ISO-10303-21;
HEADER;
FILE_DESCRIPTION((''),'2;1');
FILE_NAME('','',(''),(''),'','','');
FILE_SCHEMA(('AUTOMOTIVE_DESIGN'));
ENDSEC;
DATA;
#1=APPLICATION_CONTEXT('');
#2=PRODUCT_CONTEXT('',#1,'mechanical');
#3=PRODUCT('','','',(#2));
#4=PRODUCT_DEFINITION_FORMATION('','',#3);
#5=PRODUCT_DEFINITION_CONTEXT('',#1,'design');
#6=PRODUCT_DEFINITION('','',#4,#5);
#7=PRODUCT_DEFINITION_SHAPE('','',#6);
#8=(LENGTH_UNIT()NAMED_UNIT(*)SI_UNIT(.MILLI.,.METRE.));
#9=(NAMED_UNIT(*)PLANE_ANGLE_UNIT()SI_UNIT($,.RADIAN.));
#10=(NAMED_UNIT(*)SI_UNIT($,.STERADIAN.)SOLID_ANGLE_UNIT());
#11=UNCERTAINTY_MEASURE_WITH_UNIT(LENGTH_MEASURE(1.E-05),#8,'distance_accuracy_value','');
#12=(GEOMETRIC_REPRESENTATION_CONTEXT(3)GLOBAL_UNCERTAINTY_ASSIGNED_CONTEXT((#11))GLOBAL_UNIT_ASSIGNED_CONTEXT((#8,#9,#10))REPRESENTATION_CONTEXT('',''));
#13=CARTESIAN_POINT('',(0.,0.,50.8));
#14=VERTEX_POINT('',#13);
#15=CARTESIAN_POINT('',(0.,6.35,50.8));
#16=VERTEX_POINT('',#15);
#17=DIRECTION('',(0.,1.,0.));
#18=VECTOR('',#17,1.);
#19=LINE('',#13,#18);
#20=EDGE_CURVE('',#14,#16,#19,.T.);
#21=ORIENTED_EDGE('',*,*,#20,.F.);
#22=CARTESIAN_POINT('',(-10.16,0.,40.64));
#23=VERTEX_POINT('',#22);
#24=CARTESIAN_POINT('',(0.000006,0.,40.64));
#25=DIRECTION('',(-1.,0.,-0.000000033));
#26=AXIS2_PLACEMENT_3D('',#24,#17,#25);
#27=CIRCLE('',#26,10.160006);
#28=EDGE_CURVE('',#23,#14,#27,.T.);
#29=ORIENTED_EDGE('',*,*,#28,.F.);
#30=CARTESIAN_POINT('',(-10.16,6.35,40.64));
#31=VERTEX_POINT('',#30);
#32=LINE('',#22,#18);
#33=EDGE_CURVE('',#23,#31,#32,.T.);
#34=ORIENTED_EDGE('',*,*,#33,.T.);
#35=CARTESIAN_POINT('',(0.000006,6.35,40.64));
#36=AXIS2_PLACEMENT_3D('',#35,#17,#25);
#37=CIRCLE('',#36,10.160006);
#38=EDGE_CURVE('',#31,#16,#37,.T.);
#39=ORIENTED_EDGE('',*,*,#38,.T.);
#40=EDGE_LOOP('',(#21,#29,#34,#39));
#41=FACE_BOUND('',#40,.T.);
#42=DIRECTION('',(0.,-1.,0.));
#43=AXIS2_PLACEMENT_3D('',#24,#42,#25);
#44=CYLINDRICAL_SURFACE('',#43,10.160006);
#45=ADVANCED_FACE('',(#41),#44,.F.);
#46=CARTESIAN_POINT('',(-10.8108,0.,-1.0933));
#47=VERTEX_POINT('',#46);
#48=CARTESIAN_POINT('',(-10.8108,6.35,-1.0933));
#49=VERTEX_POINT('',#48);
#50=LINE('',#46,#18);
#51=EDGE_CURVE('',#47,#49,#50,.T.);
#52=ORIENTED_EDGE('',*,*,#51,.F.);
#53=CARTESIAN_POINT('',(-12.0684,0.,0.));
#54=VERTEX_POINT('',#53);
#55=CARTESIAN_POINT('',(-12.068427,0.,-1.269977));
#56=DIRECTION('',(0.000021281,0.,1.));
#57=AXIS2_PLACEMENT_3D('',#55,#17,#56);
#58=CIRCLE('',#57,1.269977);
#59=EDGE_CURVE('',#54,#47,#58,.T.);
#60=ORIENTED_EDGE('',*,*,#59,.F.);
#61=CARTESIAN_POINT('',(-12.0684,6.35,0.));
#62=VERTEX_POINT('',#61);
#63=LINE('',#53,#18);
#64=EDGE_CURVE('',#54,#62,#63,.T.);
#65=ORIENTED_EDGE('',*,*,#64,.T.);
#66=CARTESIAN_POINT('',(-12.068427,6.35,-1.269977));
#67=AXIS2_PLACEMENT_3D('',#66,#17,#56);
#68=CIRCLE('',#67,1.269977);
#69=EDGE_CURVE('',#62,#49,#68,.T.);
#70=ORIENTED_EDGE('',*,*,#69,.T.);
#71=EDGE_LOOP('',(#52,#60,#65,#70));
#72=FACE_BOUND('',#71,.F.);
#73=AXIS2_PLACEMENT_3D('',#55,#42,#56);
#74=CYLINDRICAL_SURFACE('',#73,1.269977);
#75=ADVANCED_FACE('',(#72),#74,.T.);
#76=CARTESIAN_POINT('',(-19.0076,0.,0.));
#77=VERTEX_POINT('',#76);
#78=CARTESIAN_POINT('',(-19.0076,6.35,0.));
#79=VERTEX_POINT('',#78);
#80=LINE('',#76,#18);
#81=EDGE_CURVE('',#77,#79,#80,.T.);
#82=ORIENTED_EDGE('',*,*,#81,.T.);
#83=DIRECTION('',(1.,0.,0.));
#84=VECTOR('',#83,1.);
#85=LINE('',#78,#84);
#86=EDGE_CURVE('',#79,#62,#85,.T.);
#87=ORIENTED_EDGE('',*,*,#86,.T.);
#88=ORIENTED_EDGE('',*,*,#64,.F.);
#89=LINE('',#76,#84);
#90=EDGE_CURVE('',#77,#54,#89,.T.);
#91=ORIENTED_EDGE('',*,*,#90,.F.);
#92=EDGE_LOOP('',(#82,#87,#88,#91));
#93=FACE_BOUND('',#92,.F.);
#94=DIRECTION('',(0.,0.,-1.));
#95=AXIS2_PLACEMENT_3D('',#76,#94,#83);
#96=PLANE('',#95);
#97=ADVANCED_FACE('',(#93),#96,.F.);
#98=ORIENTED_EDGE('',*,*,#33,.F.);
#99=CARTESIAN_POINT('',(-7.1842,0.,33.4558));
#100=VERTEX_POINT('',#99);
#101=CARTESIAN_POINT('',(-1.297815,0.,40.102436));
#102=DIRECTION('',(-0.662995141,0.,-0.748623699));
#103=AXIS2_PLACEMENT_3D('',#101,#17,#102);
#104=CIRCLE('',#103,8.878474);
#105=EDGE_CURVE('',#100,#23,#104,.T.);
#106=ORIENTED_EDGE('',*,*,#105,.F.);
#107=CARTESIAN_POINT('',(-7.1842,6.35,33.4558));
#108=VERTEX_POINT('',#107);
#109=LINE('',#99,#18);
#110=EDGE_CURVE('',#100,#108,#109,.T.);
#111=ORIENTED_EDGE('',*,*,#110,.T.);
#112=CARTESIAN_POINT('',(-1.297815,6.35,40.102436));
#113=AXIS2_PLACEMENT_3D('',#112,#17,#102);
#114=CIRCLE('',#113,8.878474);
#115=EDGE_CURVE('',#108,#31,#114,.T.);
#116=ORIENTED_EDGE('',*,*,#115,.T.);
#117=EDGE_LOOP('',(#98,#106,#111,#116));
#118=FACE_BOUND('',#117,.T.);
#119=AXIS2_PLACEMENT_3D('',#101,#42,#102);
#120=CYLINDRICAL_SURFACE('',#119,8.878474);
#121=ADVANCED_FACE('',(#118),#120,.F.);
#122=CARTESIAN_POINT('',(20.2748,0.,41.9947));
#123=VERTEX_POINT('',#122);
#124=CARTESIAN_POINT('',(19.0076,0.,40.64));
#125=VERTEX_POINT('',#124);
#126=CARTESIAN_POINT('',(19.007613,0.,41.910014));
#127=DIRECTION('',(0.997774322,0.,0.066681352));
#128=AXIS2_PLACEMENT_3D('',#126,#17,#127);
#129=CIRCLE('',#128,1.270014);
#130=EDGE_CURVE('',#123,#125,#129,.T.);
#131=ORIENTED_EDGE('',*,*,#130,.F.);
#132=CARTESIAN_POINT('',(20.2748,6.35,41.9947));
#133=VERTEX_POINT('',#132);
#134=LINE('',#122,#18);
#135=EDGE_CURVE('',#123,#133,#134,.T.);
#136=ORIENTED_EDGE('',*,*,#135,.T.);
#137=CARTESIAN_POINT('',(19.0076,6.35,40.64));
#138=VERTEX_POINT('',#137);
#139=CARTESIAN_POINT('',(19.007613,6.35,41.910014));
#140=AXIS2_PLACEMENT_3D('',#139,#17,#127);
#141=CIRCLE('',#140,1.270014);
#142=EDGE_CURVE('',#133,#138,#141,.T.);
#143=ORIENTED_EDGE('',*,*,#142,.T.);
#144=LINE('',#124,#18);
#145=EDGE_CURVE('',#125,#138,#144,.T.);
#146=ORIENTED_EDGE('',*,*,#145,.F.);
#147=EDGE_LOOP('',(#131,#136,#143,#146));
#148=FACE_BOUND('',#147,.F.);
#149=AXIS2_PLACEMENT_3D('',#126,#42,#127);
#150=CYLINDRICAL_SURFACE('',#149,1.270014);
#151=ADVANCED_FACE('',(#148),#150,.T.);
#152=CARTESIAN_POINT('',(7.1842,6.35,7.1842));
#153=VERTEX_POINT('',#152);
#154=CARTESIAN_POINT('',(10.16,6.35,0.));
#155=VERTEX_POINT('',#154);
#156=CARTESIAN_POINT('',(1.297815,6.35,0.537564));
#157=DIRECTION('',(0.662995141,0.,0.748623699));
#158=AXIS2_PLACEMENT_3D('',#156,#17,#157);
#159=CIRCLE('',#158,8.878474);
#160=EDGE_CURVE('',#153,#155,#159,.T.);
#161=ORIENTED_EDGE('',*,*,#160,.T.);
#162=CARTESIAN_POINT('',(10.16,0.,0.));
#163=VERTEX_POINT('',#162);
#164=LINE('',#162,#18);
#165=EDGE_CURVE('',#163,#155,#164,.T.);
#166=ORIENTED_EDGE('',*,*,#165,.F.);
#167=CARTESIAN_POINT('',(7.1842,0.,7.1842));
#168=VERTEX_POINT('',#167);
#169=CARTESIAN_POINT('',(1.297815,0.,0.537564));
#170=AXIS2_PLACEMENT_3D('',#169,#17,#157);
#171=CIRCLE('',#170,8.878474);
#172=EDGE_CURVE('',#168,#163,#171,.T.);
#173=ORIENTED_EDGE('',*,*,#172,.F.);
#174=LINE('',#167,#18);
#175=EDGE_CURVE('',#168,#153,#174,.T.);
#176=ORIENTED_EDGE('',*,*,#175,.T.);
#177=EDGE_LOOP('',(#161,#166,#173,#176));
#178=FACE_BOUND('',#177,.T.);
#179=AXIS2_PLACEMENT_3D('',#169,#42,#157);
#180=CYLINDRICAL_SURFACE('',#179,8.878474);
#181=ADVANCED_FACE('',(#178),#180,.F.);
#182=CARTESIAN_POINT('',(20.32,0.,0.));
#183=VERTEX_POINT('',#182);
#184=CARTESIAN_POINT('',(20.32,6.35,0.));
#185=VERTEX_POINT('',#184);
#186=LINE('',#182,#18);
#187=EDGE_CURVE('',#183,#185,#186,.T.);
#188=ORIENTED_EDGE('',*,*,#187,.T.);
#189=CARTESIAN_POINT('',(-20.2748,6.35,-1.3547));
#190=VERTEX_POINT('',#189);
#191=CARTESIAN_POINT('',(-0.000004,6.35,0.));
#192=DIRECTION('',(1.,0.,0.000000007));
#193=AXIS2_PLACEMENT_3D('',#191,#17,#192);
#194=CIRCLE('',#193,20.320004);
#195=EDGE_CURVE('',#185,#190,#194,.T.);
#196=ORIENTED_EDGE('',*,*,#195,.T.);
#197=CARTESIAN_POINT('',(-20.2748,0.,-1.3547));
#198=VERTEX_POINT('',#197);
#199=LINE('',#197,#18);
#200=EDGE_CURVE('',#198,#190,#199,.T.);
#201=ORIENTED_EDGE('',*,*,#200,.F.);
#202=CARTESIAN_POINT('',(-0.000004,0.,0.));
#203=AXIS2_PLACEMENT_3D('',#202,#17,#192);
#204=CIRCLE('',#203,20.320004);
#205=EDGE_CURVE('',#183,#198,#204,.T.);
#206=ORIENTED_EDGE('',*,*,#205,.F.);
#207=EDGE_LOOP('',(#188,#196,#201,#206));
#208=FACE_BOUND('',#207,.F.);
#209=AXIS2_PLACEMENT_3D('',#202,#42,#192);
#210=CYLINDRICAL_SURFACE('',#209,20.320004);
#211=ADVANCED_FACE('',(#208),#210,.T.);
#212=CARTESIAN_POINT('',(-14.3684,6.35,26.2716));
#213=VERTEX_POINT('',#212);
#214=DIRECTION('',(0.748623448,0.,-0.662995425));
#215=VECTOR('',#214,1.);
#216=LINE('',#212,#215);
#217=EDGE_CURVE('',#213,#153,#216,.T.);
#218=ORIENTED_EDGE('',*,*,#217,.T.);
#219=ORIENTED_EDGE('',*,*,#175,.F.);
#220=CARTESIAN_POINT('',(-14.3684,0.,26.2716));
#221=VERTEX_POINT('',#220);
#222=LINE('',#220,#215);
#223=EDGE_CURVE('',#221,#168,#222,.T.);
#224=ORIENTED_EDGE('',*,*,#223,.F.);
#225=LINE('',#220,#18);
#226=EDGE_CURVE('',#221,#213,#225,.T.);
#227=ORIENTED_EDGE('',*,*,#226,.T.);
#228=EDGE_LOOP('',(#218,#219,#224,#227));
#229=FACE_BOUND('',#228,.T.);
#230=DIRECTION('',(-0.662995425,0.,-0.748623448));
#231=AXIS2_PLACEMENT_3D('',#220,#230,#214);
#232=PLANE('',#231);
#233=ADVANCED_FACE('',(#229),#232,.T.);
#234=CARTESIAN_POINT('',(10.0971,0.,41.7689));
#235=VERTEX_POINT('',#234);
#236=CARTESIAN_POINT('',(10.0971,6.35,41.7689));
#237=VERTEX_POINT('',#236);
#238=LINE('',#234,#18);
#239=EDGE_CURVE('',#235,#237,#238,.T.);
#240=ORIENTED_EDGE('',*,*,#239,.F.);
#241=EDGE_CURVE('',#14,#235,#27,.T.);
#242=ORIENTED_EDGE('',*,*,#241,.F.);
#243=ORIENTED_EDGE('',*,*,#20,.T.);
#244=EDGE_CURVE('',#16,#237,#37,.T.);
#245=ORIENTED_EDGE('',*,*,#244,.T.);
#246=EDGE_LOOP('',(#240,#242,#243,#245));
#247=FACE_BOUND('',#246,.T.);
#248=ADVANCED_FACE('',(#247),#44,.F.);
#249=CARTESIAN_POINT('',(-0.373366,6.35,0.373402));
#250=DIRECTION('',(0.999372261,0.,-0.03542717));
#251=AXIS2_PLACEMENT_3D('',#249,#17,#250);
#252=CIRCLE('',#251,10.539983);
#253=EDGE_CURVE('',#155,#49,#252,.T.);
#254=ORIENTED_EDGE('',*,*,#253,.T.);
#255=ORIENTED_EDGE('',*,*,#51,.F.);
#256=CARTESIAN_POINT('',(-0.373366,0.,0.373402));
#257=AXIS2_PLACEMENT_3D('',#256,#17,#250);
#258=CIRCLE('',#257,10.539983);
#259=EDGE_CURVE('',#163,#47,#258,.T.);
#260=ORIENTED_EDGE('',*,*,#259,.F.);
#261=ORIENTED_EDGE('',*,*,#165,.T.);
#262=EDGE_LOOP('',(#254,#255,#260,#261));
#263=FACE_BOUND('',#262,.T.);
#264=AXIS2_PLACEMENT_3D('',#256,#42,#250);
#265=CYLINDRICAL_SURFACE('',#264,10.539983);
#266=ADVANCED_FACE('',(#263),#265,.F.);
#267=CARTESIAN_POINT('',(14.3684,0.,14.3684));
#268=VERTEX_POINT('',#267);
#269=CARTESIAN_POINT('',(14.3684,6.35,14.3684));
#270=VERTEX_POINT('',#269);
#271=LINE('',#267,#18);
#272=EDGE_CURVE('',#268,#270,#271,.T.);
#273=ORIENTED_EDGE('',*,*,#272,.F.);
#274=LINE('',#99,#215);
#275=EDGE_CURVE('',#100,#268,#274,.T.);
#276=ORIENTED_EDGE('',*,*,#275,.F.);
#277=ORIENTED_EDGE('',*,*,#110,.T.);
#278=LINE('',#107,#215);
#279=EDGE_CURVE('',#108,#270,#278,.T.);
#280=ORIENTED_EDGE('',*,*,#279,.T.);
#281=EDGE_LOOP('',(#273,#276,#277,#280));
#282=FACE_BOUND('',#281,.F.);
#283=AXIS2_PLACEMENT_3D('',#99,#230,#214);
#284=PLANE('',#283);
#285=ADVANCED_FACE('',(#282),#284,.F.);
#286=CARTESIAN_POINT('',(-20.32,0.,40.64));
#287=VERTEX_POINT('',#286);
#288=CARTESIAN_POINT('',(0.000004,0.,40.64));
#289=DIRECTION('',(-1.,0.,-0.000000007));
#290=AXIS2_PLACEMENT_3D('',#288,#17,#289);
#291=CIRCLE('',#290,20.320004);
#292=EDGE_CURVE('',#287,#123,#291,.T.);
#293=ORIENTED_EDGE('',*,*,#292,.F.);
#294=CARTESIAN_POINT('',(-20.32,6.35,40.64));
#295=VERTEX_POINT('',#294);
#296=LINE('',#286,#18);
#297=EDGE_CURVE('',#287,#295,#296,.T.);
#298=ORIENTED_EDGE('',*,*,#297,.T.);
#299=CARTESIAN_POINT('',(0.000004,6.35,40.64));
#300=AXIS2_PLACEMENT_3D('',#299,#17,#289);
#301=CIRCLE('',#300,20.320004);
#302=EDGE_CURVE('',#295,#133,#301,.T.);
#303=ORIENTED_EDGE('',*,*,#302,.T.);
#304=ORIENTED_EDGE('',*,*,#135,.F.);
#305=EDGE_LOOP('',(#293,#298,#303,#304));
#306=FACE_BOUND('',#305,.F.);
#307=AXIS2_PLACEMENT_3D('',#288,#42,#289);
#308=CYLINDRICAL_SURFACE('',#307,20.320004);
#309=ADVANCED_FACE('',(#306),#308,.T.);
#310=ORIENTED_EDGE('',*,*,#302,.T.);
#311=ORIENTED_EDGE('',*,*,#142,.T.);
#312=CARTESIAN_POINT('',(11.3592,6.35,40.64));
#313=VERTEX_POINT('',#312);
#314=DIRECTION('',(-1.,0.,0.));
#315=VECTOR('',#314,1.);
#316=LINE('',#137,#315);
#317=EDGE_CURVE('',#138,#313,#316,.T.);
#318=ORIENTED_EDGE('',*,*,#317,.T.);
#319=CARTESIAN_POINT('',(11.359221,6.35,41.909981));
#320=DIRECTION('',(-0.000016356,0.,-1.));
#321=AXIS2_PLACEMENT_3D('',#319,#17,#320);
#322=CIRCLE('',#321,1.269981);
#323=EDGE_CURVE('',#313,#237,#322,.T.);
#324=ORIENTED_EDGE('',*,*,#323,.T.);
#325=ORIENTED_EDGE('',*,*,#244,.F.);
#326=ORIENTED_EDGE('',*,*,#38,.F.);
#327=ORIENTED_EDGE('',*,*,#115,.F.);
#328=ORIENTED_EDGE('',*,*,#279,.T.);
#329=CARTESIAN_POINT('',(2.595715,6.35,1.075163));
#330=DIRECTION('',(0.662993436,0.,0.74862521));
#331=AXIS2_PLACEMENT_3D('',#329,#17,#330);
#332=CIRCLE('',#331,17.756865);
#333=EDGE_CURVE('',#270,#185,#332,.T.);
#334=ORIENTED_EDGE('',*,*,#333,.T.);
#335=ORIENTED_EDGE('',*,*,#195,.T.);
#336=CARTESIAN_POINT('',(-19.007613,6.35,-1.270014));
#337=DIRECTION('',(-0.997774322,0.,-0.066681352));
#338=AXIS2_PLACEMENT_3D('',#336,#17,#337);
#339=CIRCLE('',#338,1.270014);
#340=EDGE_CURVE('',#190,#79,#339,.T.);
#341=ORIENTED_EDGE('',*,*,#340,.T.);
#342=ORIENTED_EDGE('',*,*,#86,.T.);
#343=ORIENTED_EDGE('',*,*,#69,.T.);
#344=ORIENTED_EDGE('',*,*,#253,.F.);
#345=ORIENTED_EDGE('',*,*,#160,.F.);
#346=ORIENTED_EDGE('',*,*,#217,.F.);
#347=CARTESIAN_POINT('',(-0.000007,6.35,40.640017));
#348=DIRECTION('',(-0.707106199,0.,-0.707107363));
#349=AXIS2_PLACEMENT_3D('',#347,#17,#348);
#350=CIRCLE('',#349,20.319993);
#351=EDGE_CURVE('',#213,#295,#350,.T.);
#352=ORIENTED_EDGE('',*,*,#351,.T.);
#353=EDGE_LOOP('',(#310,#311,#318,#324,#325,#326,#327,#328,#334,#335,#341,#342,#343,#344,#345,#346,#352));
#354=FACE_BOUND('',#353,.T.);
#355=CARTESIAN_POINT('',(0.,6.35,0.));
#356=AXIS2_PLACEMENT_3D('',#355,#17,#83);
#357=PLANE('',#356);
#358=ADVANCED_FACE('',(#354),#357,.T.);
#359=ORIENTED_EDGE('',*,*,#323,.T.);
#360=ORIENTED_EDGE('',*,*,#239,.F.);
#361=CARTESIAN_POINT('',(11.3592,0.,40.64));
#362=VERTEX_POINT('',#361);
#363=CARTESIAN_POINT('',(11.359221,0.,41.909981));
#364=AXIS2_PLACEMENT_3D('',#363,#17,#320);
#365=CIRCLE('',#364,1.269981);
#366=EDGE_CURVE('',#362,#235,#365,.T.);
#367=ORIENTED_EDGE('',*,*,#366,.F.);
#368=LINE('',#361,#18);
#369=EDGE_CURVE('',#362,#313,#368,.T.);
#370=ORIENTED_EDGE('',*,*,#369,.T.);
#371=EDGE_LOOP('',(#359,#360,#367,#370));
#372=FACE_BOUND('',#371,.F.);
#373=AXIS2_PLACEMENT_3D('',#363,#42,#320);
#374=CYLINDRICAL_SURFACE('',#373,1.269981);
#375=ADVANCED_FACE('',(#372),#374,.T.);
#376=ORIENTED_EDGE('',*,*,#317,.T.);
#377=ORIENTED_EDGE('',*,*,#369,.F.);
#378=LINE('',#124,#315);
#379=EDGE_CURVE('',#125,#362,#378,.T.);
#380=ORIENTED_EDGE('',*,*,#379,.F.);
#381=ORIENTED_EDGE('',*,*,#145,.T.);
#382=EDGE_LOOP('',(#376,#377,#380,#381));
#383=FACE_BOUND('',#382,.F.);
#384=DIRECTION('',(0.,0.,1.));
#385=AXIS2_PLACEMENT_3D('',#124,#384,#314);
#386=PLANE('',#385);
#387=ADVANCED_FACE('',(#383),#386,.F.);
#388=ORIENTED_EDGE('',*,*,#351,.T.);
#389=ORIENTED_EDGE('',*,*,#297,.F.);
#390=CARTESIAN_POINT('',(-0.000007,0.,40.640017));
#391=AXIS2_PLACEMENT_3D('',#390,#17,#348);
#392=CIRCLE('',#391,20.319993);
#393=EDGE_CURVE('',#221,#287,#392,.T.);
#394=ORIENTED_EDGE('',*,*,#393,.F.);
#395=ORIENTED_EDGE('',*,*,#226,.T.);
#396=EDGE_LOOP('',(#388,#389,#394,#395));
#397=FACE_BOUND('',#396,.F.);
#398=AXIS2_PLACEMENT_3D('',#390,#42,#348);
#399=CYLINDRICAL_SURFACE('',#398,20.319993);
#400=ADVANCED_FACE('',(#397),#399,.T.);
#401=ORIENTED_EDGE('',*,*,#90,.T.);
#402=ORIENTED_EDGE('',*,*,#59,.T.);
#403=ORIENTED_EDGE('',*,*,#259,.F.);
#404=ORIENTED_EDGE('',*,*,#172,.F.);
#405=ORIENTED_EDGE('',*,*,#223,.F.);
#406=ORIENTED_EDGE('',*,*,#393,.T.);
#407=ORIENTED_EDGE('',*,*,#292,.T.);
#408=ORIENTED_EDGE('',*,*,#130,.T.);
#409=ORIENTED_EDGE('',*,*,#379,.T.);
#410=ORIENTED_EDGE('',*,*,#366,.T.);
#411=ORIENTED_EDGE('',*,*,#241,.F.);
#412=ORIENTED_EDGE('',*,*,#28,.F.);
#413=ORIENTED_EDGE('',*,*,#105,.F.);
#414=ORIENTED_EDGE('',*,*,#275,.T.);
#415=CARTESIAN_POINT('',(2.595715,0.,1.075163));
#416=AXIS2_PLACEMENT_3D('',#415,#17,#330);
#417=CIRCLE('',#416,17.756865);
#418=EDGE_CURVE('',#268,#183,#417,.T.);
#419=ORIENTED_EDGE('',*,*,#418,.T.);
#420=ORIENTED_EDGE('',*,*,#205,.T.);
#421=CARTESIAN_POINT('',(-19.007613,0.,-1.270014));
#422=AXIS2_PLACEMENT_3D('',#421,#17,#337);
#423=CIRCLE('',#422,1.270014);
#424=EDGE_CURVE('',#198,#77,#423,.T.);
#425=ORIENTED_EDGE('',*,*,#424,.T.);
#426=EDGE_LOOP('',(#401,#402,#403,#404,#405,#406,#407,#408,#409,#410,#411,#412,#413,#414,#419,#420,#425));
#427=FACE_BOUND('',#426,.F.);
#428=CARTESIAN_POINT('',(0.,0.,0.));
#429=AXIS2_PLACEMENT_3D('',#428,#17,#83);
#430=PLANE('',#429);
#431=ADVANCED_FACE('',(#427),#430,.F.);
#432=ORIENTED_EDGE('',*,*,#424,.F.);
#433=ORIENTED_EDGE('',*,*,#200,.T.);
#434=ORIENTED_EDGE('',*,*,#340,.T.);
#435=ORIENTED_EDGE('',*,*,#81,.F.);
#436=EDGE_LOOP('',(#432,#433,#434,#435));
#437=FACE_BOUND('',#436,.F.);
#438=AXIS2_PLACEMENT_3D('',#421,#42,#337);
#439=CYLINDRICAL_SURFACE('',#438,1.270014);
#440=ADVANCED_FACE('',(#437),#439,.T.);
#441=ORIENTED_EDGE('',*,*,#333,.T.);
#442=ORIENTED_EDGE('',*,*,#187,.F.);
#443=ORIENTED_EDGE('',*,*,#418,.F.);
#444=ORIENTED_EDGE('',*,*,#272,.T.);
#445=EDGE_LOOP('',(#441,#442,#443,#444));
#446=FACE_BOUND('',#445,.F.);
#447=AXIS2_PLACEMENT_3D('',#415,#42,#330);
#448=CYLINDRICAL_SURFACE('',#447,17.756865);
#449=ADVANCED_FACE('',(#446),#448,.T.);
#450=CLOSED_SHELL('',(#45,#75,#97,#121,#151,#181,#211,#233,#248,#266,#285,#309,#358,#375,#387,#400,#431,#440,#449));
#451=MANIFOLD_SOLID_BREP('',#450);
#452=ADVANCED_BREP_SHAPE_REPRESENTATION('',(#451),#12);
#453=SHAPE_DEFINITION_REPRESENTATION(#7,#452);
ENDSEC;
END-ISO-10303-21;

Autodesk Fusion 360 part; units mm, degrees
sketch "Sketch1" plane through (0, 0, 0) normal (0, 1, 0) x (1, 0, 0)
  line L0 (-19.0076, 0) -> (-12.0684, 0)
  arc A0 (10.16, 0) -> (-10.8108, 1.0933) centre (-0.3734, -0.3734) ccw
  line L1 (0, -40.64) -> (0, -50.8)
  line L2 (19.0076, -40.64) -> (11.3592, -40.64)
  arc A1 (-10.16, -40.64) -> (10.0971, -41.7689) centre (0, -40.64) ccw
  line L3 (-14.3684, -26.2716) -> (7.1842, -7.1842)
  line L4 (-7.1842, -33.4558) -> (14.3684, -14.3684)
  arc A2 (7.1842, -7.1842) -> (10.16, 0) centre (1.2978, -0.5376) ccw
  arc A3 (20.32, 0) -> (-20.2748, 1.3547) centre (0, 0) ccw
  arc A4 (-20.32, -40.64) -> (20.2748, -41.9947) centre (0, -40.64) ccw
  arc A5 (14.3684, -14.3684) -> (20.32, 0) centre (2.5957, -1.0752) ccw
  arc A6 (-7.1842, -33.4558) -> (-10.16, -40.64) centre (-1.2978, -40.1024) ccw
  arc A7 (-14.3684, -26.2716) -> (-20.32, -40.64) centre (0, -40.64) ccw
  arc A8 (20.2748, -41.9947) -> (19.0076, -40.64) centre (19.0076, -41.91) ccw
  arc A9 (11.3592, -40.64) -> (10.0971, -41.7689) centre (11.3592, -41.91) ccw
  arc A10 (-20.2748, 1.3547) -> (-19.0076, 0) centre (-19.0076, 1.27) ccw
  arc A11 (-12.0684, 0) -> (-10.8108, 1.0933) centre (-12.0684, 1.27) ccw
  dimension "d11" = 10.16
  dimension "d15" = 1.27
extrude "Extrude1" add sketch "Sketch1" along normal blind 6.35
